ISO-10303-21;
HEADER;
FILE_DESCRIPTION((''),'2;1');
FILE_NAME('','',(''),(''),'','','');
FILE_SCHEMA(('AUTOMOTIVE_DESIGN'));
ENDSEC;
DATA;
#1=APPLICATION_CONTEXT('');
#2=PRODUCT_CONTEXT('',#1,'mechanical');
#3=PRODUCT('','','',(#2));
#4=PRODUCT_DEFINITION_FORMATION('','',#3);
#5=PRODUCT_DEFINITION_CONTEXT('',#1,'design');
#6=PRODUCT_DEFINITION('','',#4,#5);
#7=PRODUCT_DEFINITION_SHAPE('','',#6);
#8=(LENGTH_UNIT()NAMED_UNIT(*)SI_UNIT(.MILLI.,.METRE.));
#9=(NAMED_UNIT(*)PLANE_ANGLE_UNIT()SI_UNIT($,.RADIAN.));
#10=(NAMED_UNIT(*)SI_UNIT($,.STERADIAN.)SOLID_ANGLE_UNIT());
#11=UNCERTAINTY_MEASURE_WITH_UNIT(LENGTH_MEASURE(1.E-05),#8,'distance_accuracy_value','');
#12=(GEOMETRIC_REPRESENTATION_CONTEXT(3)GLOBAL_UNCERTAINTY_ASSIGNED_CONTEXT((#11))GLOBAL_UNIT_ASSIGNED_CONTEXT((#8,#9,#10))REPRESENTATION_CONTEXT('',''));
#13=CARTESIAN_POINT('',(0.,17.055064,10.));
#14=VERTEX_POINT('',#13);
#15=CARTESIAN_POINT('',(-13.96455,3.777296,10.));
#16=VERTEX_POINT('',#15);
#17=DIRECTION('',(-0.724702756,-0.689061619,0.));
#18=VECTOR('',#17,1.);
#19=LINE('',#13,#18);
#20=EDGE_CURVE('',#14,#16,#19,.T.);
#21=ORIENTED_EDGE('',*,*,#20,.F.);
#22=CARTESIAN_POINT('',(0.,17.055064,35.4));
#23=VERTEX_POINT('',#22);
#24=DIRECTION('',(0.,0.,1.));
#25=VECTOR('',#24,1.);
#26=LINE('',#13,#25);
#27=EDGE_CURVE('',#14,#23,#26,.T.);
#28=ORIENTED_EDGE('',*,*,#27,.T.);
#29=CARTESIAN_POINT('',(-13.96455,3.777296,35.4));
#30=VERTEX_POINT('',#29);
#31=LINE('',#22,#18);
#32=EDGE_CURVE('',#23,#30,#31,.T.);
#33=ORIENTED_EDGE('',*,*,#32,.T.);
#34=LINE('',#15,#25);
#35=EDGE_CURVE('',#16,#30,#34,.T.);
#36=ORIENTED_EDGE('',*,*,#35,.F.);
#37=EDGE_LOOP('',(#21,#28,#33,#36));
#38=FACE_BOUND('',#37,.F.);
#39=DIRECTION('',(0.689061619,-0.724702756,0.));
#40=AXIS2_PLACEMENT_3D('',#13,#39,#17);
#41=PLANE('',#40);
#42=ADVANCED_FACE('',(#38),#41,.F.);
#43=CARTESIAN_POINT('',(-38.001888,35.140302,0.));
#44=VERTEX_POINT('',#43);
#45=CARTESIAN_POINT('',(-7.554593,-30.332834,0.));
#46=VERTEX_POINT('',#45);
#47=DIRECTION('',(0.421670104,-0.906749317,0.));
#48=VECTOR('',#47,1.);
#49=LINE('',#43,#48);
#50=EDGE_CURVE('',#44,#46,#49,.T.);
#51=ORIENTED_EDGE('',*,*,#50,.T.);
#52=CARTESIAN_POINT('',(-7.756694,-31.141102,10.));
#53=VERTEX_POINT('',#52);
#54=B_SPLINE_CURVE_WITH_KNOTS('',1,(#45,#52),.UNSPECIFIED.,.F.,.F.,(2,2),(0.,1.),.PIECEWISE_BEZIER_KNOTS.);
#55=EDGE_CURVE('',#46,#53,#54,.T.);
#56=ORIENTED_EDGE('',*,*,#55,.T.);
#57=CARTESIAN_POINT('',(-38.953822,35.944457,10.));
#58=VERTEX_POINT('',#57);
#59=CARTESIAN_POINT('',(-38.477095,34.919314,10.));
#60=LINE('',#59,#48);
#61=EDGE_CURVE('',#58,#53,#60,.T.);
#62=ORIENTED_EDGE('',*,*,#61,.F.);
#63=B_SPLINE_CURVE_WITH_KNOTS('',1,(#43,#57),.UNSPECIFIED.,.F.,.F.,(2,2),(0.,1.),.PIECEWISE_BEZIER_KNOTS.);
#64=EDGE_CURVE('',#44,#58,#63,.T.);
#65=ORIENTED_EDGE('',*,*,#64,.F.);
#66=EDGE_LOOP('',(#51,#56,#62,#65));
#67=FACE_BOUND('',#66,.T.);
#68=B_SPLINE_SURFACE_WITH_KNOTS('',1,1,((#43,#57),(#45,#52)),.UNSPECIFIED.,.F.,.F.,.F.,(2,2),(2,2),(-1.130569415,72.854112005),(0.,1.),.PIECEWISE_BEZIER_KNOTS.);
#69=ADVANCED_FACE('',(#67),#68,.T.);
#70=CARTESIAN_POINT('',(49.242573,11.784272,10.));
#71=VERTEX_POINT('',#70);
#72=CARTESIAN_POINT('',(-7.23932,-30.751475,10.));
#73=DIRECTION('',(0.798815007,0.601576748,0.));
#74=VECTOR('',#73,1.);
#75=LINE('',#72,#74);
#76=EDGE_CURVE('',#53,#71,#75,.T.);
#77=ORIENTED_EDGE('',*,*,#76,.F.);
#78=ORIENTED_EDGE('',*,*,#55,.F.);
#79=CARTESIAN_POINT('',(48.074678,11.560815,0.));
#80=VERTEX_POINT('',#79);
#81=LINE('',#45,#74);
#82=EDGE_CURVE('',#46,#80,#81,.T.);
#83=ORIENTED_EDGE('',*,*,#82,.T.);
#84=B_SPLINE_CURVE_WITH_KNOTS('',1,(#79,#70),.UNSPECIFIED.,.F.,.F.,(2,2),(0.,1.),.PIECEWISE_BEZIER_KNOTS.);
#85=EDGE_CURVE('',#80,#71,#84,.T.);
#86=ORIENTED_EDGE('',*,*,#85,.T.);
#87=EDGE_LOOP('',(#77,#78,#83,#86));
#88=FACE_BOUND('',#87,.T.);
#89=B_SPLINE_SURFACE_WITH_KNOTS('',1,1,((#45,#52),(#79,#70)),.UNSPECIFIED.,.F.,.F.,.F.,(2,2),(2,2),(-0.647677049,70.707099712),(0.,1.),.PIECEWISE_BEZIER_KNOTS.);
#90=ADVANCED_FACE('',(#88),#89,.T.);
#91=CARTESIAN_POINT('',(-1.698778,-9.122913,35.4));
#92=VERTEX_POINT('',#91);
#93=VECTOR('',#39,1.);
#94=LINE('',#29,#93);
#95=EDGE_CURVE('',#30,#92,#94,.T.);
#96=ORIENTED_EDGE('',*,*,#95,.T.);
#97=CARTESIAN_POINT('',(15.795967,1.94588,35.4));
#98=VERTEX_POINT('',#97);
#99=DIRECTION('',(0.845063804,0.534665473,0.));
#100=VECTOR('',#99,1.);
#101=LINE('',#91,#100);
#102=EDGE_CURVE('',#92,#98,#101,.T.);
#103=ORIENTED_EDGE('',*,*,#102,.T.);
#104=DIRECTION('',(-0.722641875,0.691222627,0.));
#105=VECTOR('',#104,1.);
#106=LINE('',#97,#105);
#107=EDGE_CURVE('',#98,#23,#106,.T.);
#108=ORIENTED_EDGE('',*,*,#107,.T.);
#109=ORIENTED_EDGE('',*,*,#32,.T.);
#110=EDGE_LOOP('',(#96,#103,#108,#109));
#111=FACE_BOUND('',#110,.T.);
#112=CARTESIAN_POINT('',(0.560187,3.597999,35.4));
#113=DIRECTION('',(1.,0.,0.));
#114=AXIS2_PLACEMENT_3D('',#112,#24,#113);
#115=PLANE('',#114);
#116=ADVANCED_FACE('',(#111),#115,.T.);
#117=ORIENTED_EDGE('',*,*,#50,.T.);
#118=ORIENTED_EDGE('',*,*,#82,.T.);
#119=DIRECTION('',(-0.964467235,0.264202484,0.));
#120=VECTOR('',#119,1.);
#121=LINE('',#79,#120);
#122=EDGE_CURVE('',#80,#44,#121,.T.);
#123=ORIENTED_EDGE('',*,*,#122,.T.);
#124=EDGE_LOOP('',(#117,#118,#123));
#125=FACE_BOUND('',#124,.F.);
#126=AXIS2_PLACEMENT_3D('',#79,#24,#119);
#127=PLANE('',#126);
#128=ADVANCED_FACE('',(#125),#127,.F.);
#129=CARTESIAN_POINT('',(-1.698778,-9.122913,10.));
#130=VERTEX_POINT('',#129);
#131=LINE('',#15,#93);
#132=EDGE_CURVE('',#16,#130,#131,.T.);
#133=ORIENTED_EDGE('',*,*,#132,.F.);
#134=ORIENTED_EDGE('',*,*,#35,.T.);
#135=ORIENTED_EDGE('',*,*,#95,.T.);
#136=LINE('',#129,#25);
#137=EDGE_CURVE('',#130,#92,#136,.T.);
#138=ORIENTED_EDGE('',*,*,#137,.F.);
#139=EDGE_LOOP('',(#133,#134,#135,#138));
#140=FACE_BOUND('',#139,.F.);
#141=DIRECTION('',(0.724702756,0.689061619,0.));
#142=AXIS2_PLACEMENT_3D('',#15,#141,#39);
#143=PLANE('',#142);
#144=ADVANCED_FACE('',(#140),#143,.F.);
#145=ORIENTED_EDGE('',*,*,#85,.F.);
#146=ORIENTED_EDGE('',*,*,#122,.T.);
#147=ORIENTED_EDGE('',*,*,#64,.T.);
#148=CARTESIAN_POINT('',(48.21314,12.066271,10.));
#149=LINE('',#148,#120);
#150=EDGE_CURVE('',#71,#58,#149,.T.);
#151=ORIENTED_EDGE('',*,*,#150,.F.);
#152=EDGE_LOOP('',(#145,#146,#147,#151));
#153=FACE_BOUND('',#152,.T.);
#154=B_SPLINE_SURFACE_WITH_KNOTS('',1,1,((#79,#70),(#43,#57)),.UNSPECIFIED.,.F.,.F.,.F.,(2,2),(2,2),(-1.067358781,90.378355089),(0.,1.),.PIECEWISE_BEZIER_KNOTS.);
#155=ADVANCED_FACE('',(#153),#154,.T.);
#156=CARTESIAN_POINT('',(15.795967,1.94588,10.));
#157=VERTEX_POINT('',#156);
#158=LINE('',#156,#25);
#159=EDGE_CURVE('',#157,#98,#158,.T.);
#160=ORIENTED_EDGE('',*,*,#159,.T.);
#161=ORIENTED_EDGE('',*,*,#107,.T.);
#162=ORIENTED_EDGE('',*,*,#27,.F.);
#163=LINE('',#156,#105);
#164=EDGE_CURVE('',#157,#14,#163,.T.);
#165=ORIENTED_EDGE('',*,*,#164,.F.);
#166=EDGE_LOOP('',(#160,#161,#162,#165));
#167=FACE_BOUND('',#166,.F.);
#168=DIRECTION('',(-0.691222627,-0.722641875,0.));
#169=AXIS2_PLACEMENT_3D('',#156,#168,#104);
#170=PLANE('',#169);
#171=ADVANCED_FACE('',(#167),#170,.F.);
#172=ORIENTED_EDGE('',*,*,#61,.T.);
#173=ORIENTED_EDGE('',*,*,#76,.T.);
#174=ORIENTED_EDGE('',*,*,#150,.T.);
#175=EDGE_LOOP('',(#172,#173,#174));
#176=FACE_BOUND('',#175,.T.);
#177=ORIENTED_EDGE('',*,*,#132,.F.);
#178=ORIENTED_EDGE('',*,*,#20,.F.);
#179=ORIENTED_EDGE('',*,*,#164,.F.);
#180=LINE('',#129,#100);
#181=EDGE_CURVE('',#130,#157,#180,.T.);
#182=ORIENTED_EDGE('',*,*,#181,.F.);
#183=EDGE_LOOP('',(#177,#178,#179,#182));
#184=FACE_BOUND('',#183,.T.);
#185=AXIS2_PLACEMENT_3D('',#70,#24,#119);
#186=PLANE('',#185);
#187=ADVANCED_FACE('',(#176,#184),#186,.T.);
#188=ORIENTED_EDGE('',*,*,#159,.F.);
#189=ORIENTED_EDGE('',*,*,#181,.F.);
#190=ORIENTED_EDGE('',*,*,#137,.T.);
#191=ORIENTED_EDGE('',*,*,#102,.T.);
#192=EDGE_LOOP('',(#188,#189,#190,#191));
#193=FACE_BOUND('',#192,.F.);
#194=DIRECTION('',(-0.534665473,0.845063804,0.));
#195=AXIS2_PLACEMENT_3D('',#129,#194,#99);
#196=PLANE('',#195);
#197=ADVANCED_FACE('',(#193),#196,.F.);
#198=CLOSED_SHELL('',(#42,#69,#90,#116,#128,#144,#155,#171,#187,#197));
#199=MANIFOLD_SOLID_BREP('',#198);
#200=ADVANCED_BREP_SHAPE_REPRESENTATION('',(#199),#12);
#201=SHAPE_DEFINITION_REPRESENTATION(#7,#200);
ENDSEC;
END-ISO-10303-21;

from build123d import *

# Parameters (mm, degrees)
F1_DEPTH = 10
F1_TAPER = -3
F3_DEPTH = 25.4


with BuildPart() as f1:
    # F0 (on Top) → F1 (new body)
    with BuildSketch(Plane.XY):
        Polygon((48.0746775866, 11.5608153865), (-38.0018875003, 35.1403020322), (-7.5545925647, -30.3328335285), align=None)
    extrude(amount=F1_DEPTH, taper=F1_TAPER)

    # F2 (on face) → F3 (join)
    with BuildSketch(Plane.XY.offset(10)):
        Polygon((15.7959666103, 1.945879776), (0, 17.0550644398), (-13.9645496383, 3.7772962824), (-1.6987776623, -9.1229125163), align=None)
    extrude(amount=F3_DEPTH)


solid = f1.part
